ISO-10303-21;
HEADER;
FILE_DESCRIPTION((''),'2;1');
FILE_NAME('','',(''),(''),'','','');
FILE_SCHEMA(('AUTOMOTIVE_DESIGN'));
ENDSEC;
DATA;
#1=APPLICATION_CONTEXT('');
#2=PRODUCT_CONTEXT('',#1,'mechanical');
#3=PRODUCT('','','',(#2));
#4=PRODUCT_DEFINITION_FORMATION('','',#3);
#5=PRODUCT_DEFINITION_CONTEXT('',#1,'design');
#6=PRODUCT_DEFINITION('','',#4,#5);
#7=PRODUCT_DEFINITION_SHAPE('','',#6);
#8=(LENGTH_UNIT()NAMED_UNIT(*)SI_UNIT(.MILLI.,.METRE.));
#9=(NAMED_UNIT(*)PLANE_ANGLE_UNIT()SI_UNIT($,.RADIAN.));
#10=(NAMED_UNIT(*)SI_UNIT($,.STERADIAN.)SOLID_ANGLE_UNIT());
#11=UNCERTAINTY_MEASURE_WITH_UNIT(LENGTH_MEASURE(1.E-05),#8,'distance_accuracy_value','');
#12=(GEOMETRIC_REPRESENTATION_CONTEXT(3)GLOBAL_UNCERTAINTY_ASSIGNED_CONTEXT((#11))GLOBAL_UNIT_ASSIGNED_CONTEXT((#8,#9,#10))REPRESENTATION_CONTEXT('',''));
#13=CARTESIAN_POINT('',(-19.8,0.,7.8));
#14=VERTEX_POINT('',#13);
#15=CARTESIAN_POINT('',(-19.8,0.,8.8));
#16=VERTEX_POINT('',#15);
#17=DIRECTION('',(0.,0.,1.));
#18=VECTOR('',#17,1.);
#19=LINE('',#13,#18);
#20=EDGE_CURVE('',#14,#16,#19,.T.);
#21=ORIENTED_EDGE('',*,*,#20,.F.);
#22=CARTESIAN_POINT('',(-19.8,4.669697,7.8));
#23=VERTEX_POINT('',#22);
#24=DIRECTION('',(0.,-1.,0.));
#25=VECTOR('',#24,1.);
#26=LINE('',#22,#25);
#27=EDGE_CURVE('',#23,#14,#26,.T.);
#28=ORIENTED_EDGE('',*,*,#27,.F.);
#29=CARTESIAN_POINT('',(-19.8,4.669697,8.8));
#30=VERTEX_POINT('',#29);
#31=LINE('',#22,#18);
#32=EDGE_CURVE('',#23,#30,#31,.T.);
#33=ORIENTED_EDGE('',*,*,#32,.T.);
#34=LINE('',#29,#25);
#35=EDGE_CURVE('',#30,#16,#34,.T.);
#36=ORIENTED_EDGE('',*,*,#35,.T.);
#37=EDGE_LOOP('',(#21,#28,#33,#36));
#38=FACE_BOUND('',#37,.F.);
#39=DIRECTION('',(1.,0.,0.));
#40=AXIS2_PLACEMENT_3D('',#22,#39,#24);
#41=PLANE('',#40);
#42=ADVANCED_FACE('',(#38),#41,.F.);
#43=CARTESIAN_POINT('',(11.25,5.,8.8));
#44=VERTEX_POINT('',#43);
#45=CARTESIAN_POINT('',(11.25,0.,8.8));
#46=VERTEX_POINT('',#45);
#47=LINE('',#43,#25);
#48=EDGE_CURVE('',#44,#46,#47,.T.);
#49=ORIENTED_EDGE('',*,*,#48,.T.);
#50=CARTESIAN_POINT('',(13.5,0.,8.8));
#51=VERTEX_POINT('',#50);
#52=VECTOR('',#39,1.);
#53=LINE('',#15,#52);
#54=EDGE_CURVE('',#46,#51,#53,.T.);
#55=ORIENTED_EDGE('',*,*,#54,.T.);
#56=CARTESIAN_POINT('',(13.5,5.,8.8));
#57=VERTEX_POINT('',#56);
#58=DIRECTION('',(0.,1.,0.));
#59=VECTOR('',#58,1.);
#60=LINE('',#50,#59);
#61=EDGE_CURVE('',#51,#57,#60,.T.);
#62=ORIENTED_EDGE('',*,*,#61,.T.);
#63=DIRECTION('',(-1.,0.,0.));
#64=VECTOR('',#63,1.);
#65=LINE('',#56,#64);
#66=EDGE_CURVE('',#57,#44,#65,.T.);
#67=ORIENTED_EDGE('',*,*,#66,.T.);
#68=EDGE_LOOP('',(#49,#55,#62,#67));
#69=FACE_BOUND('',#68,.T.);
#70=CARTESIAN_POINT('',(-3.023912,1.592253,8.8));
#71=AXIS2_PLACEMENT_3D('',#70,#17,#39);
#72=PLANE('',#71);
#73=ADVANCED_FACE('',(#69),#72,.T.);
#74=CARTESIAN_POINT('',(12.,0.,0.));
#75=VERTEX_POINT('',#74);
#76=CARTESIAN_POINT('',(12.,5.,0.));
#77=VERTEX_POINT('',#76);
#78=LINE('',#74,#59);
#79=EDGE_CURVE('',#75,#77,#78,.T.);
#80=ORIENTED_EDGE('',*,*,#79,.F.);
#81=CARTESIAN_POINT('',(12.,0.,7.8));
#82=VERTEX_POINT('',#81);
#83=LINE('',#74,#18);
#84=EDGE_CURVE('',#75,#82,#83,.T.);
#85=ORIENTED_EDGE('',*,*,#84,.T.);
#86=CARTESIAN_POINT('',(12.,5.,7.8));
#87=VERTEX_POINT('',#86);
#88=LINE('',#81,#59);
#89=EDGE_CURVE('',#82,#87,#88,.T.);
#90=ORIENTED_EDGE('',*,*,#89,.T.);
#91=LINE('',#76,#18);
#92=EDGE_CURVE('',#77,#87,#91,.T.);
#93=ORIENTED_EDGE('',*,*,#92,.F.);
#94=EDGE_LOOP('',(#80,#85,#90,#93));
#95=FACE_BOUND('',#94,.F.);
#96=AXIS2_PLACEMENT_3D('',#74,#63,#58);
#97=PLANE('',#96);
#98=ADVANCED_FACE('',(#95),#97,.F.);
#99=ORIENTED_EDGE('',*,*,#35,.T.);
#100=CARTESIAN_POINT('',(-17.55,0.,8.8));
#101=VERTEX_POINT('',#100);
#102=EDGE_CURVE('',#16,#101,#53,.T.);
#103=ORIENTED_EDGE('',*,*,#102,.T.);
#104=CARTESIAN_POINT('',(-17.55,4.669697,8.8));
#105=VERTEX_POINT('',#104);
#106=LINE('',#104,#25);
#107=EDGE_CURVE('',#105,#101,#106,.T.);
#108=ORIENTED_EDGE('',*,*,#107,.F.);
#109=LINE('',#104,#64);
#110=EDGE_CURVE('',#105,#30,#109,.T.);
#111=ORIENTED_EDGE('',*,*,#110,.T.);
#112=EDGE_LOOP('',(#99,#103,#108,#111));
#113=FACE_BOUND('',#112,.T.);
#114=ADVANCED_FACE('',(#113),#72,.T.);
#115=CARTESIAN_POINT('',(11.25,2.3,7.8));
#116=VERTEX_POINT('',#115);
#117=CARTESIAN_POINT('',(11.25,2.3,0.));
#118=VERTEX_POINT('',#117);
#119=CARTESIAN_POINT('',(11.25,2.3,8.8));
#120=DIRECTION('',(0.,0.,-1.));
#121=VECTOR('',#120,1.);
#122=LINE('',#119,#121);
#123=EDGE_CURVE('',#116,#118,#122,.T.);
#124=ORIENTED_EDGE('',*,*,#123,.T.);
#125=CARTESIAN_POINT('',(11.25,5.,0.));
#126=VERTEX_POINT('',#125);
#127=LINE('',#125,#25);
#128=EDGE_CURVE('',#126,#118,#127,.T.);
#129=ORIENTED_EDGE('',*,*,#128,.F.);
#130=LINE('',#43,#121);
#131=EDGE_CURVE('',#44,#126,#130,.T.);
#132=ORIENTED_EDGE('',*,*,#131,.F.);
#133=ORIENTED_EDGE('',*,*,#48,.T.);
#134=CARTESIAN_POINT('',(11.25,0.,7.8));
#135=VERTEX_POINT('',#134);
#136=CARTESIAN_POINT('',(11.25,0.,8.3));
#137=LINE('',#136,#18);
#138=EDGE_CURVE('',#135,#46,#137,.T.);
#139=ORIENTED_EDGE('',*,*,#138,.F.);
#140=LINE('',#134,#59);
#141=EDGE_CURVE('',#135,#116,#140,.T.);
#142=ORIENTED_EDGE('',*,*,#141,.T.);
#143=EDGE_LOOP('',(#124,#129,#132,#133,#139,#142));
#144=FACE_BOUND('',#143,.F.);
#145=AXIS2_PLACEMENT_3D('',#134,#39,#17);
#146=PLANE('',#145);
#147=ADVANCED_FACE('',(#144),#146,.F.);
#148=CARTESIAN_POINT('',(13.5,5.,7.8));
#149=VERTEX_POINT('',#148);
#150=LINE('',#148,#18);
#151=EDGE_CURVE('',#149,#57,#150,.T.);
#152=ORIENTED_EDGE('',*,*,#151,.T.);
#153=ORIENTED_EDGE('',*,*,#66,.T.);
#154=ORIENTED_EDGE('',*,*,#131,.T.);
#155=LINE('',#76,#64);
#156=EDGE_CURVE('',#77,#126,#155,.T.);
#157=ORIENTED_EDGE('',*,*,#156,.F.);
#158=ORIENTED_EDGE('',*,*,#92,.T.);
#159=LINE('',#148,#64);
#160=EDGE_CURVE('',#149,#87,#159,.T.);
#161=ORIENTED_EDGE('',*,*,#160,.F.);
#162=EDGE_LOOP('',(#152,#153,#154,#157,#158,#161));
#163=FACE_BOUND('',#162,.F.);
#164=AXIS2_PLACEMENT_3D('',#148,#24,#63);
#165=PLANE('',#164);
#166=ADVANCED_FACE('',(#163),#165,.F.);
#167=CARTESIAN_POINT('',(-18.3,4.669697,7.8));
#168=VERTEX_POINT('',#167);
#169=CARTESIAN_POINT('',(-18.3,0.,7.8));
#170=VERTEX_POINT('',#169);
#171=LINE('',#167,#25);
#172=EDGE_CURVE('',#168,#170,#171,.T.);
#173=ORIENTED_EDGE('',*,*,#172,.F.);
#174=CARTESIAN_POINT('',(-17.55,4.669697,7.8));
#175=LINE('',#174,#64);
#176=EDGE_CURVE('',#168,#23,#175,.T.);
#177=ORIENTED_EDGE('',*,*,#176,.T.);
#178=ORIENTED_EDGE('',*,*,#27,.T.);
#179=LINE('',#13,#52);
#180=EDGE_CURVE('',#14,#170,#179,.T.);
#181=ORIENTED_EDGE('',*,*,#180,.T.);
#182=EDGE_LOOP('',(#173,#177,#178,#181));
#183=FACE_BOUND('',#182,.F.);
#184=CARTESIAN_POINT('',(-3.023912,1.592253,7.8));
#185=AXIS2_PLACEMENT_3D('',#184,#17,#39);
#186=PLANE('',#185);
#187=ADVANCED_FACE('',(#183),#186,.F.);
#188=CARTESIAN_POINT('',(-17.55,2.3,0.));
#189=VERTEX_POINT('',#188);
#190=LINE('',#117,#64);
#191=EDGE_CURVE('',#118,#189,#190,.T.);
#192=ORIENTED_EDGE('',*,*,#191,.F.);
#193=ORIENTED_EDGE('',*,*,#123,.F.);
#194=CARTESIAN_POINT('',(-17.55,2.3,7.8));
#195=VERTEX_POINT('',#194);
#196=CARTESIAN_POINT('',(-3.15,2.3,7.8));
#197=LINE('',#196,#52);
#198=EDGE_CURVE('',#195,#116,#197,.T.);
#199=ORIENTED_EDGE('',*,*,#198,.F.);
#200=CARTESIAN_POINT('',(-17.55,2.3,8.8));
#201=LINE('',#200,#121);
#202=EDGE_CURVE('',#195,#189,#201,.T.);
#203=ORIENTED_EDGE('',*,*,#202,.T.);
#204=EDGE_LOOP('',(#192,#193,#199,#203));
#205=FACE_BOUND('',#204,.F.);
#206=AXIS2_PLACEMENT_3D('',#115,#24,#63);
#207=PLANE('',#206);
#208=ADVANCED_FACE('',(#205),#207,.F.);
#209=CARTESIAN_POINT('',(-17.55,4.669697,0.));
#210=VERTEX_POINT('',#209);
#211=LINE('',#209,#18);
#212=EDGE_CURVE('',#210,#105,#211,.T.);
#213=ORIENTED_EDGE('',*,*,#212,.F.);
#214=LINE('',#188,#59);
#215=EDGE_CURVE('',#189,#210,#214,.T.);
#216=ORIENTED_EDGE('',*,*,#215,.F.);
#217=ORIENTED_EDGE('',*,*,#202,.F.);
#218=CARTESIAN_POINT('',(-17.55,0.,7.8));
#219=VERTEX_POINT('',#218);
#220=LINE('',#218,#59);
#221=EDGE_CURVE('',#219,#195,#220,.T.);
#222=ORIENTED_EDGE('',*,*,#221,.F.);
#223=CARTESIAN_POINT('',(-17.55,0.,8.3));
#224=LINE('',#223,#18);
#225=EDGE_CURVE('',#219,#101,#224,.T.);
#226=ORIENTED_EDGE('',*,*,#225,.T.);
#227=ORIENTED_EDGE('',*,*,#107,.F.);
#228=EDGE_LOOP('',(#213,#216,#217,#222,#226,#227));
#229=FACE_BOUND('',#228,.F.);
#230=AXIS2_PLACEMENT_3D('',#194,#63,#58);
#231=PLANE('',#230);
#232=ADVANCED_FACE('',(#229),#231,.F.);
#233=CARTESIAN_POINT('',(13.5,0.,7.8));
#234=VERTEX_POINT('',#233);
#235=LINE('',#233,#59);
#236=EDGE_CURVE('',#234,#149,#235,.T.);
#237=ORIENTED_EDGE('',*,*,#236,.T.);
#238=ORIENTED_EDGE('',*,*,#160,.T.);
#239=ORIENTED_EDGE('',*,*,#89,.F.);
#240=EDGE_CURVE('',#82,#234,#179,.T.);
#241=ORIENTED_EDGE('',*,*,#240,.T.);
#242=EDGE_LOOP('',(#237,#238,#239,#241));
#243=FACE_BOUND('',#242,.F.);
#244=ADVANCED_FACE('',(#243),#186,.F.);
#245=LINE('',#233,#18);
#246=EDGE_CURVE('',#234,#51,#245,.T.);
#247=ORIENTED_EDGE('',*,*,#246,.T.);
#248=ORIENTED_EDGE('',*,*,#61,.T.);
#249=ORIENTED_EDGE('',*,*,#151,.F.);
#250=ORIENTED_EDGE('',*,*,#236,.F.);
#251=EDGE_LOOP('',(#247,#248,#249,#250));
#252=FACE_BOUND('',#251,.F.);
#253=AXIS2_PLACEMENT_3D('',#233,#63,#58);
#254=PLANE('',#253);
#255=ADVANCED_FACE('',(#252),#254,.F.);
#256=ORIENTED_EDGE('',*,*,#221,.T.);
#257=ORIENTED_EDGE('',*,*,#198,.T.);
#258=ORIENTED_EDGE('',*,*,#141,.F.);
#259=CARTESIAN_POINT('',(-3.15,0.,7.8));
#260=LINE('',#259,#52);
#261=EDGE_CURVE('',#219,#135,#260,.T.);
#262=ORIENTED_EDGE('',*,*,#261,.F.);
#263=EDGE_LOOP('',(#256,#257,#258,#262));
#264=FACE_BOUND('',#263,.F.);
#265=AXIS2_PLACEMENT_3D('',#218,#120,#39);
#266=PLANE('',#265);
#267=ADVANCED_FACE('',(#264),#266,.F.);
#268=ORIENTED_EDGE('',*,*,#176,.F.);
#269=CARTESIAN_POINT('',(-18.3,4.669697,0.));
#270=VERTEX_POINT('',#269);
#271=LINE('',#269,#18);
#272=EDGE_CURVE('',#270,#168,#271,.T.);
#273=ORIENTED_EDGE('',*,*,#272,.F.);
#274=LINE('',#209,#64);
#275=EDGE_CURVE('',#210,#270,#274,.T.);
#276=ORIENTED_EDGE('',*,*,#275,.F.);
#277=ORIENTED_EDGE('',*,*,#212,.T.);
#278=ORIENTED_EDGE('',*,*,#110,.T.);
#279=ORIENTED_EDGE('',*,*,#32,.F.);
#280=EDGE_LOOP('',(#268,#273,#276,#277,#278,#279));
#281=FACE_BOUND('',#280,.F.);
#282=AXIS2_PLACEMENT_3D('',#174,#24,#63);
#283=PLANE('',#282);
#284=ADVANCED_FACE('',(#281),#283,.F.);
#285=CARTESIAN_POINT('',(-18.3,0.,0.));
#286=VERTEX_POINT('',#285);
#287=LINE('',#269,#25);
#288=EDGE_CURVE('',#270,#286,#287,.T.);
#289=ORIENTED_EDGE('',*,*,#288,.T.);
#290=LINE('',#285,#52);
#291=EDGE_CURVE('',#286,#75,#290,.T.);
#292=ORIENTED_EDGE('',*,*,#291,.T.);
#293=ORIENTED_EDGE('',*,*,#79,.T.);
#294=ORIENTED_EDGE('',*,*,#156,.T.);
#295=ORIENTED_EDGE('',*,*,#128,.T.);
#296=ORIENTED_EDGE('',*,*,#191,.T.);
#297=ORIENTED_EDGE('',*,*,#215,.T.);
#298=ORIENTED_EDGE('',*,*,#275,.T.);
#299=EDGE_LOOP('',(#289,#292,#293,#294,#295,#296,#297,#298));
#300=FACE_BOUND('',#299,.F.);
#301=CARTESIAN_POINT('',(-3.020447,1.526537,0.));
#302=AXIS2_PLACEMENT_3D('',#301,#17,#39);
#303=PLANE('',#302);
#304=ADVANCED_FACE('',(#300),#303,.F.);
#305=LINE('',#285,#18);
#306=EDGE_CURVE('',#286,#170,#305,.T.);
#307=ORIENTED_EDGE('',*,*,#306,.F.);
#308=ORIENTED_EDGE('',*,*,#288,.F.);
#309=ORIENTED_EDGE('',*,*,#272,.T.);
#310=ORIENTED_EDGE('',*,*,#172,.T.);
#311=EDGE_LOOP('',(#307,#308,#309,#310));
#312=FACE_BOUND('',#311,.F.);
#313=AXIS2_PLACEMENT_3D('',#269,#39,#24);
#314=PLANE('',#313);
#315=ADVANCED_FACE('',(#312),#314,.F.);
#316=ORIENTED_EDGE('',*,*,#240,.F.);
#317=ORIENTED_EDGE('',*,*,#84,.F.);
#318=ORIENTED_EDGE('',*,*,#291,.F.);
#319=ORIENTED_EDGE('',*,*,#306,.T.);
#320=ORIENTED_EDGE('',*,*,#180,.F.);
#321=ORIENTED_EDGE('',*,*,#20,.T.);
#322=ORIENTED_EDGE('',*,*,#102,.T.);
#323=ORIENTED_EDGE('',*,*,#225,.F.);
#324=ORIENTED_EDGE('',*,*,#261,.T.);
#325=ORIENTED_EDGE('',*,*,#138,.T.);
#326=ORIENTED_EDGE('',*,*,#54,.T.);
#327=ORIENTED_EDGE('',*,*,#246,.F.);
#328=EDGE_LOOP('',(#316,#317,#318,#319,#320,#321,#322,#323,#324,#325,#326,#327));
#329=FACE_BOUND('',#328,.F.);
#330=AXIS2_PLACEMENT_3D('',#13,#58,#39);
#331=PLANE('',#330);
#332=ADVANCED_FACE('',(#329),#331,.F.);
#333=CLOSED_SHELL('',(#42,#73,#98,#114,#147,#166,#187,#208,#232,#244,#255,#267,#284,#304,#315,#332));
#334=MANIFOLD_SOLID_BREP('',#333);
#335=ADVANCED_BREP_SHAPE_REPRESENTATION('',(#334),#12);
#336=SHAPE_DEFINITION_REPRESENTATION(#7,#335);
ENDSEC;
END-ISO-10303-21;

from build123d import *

# Parameters (mm, degrees)
F1_DEPTH = 7.8
F3_DEPTH = 1
F4_W     = 28.8
F4_H     = 1
F5_DEPTH = 5.001


with BuildPart() as f1:
    # F0 (on Top) → F1 (new body)
    with BuildSketch(Plane.XY):
        Polygon((-18.3, 4.669697), (-18.3, 0), (12, 0), (12, 5), (11.25, 5), (11.25, 2.3), (-17.55, 2.3), (-17.55, 4.669697), align=None)
    extrude(amount=F1_DEPTH)

    # F2 (on face) → F3 (join)
    with BuildSketch(Plane.XY.offset(7.8)):
        Polygon((-17.55, 2.3), (-17.55, 4.669697), (-19.8, 4.669697), (-19.8, 0), (13.5, 0), (13.5, 5), (11.25, 5), (11.25, 2.3), align=None)
    extrude(amount=F3_DEPTH)

    # F4 (on face) → F5 (cut, through all)
    with BuildSketch(Plane.XZ):
        with Locations((-3.15, 8.3)):
            Rectangle(F4_W, F4_H)
    extrude(amount=-F5_DEPTH, mode=Mode.SUBTRACT)


solid = f1.part
